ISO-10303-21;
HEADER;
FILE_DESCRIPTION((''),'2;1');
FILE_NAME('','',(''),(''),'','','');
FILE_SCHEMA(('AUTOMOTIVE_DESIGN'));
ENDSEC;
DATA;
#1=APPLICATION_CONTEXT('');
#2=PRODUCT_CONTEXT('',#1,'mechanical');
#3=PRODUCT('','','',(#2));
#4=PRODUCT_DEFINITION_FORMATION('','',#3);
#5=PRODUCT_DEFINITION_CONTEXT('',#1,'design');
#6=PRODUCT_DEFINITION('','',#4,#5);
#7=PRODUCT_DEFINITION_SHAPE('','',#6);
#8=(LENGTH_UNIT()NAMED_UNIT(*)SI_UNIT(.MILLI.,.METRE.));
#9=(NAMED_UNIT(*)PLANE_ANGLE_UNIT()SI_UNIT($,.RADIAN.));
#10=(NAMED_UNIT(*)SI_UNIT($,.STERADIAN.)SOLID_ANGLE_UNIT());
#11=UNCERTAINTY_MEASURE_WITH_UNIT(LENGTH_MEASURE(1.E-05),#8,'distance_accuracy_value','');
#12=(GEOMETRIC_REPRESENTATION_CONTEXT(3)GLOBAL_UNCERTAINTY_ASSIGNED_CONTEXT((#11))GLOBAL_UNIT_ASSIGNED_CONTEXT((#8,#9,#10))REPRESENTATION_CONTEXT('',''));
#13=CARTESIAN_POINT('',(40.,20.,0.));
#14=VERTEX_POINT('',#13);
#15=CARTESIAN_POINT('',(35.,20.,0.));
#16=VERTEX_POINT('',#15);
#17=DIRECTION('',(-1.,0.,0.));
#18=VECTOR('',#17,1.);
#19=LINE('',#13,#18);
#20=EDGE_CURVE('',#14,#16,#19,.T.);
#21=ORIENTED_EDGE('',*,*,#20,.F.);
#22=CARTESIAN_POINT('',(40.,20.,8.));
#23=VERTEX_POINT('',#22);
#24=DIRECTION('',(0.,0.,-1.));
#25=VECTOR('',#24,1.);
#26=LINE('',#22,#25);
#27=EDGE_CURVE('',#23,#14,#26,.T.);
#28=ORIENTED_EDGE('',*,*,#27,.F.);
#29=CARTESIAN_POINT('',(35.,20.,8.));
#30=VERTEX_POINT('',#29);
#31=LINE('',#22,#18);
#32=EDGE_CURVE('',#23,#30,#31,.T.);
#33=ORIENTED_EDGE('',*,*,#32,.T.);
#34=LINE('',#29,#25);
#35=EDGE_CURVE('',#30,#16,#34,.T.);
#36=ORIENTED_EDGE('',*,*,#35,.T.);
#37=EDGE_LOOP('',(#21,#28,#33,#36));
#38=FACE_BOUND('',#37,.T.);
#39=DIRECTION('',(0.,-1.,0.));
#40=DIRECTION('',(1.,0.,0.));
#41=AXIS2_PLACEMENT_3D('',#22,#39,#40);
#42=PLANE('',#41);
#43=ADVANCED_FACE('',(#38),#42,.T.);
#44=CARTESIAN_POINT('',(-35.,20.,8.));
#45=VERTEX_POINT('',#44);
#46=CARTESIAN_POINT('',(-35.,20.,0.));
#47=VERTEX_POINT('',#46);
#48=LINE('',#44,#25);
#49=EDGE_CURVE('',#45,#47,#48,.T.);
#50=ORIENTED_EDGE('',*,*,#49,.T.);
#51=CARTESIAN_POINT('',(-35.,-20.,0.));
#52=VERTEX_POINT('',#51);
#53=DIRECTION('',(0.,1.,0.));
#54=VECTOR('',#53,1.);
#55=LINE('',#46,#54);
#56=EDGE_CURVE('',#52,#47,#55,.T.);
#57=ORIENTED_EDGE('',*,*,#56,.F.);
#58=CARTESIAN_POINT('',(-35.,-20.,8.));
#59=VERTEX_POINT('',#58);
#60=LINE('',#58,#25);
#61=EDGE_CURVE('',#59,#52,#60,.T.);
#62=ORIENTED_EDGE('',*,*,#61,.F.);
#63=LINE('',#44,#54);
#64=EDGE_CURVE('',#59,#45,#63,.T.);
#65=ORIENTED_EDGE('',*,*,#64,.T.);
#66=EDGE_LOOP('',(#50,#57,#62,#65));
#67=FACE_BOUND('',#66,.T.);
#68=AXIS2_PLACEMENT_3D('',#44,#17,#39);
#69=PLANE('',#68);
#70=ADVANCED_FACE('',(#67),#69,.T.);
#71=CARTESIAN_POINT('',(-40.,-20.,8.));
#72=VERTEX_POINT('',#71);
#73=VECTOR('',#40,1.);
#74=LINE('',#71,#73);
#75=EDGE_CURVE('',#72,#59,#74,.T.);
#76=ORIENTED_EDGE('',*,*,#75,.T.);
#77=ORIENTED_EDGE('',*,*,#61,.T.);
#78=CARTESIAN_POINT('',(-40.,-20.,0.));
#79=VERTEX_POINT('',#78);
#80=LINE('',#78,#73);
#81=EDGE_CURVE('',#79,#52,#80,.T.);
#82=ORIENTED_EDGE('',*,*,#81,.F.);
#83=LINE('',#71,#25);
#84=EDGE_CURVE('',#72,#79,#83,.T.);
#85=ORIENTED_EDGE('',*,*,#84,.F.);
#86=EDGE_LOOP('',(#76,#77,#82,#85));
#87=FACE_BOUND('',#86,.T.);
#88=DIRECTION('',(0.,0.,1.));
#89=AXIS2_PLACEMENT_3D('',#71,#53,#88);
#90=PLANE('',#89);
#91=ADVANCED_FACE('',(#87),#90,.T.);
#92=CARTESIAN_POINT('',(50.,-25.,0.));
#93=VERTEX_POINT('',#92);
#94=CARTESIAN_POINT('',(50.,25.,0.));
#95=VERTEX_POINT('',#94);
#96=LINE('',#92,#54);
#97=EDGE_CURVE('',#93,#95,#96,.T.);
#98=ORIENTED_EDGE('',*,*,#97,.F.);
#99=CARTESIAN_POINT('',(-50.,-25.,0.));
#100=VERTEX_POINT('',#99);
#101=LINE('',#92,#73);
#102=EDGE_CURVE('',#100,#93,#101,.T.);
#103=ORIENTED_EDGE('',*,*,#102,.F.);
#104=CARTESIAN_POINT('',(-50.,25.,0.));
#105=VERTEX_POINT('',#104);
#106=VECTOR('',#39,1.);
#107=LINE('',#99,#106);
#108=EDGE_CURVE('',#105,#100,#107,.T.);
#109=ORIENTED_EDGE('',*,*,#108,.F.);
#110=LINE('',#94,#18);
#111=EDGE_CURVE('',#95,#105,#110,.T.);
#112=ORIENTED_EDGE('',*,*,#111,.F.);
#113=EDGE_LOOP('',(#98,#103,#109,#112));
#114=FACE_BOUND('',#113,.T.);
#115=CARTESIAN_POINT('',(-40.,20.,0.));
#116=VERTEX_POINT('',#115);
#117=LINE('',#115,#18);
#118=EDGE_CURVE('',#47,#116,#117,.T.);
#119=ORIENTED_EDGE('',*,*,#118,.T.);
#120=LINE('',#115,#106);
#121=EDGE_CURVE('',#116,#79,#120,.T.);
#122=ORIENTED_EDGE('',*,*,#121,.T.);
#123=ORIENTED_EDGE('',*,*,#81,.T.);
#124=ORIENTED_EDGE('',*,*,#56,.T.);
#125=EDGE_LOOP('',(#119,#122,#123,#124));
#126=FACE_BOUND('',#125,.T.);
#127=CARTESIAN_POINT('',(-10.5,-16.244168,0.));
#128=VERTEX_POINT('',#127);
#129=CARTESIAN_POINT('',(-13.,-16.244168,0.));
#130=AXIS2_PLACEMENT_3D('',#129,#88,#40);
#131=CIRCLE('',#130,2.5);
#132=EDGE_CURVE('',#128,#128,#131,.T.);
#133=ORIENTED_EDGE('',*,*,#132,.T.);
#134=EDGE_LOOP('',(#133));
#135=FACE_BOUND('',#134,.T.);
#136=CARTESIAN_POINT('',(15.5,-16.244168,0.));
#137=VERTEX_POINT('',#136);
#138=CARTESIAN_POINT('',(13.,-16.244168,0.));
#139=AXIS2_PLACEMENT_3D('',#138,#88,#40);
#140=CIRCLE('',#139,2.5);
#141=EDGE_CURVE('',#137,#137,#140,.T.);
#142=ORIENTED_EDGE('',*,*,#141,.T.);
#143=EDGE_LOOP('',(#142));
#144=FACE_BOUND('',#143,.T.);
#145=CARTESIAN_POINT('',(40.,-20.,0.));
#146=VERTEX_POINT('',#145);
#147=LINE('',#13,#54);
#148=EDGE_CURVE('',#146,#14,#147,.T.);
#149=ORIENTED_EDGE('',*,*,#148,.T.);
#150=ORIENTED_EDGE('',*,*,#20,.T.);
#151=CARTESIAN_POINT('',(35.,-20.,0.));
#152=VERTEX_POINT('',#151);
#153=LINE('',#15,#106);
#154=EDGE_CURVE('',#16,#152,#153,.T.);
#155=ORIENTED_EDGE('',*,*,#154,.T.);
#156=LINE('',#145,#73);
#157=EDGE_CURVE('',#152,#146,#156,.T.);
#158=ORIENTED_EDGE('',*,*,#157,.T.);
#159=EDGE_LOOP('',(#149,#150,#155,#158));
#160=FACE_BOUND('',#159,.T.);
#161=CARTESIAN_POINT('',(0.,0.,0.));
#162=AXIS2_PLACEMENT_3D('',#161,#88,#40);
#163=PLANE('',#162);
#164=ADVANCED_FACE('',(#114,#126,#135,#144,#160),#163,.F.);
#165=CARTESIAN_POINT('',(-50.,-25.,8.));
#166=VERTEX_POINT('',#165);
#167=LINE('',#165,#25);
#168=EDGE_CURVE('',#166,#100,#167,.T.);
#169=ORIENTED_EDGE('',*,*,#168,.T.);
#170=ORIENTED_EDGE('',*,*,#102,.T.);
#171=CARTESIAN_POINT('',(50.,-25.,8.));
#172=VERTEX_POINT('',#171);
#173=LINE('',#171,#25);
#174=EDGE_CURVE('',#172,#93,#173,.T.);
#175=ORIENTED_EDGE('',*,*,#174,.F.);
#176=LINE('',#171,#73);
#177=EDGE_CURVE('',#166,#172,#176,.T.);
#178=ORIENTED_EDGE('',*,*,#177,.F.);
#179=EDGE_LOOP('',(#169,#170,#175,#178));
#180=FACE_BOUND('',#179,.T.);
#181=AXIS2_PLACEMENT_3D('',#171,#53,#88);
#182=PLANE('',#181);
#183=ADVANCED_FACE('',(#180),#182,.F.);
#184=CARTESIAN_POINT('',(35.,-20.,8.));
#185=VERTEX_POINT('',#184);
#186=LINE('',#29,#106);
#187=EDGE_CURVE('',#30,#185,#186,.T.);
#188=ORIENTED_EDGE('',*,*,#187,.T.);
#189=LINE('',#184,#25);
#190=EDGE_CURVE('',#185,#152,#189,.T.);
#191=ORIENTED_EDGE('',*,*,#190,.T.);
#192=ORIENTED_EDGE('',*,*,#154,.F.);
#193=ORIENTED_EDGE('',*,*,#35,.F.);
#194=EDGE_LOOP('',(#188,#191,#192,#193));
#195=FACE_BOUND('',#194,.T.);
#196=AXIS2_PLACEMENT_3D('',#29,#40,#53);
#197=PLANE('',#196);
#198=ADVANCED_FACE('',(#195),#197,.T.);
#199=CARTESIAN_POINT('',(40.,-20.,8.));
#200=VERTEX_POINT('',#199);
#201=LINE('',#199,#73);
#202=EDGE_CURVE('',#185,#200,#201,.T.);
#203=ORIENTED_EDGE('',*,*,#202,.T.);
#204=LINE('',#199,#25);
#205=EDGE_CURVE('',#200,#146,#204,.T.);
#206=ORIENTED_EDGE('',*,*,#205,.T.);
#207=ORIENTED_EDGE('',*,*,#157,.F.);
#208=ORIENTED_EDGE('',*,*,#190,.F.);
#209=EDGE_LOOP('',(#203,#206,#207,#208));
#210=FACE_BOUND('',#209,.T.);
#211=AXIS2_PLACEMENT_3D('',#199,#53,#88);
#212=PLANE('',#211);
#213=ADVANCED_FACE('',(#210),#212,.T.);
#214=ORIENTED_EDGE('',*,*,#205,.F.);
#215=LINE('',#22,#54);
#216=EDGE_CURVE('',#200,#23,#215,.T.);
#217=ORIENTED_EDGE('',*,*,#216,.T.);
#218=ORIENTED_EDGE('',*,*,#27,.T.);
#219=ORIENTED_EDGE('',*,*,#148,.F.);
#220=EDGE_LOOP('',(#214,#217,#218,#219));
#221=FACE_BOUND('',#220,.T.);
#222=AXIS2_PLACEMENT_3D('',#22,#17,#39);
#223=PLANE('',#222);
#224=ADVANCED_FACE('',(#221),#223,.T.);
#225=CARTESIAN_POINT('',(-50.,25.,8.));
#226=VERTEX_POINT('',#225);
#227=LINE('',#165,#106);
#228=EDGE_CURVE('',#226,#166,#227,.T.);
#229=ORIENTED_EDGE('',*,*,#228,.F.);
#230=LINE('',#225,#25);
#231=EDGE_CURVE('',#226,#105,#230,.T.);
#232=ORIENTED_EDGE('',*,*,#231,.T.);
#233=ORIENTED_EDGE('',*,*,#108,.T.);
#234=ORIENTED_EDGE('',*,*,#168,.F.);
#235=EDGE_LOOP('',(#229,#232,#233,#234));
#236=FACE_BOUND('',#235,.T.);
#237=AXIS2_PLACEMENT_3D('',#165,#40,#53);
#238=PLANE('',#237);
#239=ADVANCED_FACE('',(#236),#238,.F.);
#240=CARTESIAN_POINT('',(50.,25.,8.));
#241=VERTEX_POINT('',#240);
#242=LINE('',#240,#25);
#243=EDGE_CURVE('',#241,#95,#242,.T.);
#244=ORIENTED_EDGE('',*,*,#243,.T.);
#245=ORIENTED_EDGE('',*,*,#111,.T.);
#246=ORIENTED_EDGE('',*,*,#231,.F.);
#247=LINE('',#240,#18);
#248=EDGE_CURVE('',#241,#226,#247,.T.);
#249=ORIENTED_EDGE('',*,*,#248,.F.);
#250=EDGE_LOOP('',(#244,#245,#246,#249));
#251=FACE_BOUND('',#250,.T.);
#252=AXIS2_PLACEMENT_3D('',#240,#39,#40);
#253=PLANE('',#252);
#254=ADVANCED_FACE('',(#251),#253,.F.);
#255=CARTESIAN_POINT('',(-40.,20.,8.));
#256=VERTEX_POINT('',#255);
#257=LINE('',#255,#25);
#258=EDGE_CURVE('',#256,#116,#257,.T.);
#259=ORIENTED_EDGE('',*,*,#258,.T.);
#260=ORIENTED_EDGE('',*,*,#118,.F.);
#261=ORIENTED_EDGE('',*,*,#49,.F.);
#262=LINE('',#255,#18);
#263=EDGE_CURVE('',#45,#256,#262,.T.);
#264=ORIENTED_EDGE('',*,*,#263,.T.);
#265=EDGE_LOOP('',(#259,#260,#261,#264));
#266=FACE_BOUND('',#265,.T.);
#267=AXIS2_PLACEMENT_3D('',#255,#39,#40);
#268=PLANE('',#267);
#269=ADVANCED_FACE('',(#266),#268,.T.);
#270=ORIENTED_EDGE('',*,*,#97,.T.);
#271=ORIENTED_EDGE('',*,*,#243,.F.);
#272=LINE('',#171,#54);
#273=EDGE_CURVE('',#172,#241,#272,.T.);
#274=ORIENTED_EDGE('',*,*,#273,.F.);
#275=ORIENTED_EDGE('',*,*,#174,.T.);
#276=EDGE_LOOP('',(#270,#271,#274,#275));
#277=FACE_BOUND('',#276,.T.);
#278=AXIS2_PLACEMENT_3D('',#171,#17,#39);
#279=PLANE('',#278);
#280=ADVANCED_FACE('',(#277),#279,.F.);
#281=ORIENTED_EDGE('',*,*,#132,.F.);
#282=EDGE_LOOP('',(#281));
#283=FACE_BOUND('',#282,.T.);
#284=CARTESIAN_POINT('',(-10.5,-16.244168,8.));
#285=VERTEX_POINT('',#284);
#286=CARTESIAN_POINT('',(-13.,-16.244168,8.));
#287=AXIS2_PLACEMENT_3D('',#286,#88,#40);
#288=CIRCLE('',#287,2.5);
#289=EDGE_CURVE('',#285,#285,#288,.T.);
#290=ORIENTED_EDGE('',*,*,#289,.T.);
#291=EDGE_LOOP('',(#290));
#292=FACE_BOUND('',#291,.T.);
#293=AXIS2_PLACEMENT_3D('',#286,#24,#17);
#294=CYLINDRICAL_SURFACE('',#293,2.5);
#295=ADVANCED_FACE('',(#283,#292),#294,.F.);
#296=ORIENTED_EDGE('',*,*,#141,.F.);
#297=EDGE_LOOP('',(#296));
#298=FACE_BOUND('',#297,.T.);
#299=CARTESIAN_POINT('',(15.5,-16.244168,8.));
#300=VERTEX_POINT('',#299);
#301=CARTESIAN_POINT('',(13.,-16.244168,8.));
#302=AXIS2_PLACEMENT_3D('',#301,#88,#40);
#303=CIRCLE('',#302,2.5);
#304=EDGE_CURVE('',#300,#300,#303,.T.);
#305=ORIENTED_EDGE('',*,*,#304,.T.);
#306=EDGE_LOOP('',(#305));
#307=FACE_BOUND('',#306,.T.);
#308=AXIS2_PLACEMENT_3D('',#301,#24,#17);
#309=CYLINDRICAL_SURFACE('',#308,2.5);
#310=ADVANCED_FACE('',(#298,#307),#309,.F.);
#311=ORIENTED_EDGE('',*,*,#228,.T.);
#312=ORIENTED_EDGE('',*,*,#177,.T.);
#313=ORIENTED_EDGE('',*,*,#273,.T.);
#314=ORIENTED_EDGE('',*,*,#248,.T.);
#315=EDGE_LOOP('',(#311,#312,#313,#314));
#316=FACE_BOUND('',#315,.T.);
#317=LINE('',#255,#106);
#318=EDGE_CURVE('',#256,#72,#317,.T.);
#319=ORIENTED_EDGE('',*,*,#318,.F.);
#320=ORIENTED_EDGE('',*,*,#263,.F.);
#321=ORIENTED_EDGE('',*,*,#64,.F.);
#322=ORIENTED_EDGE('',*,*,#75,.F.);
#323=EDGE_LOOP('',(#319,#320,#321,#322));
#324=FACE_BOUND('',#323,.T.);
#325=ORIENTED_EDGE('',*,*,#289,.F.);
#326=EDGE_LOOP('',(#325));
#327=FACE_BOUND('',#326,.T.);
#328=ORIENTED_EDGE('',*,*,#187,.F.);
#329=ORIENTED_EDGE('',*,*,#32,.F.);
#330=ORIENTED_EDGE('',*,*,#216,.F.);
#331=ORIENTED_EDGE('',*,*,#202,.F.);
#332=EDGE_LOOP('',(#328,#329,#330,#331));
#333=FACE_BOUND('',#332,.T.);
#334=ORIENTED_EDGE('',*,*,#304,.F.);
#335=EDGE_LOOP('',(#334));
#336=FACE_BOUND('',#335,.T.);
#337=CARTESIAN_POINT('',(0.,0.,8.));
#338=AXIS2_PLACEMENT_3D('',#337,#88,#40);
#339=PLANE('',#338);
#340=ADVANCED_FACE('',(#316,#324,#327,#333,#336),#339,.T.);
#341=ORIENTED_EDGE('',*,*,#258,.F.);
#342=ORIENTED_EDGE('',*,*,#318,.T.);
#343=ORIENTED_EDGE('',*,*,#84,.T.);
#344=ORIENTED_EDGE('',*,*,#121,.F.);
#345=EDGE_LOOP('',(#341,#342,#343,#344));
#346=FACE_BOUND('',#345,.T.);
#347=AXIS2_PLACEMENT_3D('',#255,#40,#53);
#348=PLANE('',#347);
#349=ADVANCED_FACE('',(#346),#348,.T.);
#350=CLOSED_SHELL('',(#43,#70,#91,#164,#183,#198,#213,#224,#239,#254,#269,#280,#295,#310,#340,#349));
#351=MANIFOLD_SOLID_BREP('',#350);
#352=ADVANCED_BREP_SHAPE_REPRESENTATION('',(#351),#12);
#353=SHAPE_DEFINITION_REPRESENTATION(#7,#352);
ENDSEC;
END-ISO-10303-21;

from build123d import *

# Parameters (mm, degrees)
SKETCH1_W           = 100
SKETCH1_H           = 50
SKETCH1_R           = 2.5
SKETCH1_W_2         = 5
SKETCH1_H_2         = 40
BOSS_EXTRUDE1_DEPTH = 8


with BuildPart() as part:
    # Sketch1 → Boss-Extrude1 (new body)
    with BuildSketch(Plane.XY):
        Rectangle(SKETCH1_W, SKETCH1_H)
        with Locations((-13, -16.244168493)):
            Circle(SKETCH1_R, mode=Mode.SUBTRACT)
        with Locations((13, -16.244168493)):
            Circle(SKETCH1_R, mode=Mode.SUBTRACT)
        with Locations((-37.5, 0)):
            Rectangle(SKETCH1_W_2, SKETCH1_H_2, mode=Mode.SUBTRACT)
        with Locations((37.5, 0)):
            Rectangle(SKETCH1_W_2, SKETCH1_H_2, mode=Mode.SUBTRACT)
    extrude(amount=BOSS_EXTRUDE1_DEPTH)


solid = part.part
